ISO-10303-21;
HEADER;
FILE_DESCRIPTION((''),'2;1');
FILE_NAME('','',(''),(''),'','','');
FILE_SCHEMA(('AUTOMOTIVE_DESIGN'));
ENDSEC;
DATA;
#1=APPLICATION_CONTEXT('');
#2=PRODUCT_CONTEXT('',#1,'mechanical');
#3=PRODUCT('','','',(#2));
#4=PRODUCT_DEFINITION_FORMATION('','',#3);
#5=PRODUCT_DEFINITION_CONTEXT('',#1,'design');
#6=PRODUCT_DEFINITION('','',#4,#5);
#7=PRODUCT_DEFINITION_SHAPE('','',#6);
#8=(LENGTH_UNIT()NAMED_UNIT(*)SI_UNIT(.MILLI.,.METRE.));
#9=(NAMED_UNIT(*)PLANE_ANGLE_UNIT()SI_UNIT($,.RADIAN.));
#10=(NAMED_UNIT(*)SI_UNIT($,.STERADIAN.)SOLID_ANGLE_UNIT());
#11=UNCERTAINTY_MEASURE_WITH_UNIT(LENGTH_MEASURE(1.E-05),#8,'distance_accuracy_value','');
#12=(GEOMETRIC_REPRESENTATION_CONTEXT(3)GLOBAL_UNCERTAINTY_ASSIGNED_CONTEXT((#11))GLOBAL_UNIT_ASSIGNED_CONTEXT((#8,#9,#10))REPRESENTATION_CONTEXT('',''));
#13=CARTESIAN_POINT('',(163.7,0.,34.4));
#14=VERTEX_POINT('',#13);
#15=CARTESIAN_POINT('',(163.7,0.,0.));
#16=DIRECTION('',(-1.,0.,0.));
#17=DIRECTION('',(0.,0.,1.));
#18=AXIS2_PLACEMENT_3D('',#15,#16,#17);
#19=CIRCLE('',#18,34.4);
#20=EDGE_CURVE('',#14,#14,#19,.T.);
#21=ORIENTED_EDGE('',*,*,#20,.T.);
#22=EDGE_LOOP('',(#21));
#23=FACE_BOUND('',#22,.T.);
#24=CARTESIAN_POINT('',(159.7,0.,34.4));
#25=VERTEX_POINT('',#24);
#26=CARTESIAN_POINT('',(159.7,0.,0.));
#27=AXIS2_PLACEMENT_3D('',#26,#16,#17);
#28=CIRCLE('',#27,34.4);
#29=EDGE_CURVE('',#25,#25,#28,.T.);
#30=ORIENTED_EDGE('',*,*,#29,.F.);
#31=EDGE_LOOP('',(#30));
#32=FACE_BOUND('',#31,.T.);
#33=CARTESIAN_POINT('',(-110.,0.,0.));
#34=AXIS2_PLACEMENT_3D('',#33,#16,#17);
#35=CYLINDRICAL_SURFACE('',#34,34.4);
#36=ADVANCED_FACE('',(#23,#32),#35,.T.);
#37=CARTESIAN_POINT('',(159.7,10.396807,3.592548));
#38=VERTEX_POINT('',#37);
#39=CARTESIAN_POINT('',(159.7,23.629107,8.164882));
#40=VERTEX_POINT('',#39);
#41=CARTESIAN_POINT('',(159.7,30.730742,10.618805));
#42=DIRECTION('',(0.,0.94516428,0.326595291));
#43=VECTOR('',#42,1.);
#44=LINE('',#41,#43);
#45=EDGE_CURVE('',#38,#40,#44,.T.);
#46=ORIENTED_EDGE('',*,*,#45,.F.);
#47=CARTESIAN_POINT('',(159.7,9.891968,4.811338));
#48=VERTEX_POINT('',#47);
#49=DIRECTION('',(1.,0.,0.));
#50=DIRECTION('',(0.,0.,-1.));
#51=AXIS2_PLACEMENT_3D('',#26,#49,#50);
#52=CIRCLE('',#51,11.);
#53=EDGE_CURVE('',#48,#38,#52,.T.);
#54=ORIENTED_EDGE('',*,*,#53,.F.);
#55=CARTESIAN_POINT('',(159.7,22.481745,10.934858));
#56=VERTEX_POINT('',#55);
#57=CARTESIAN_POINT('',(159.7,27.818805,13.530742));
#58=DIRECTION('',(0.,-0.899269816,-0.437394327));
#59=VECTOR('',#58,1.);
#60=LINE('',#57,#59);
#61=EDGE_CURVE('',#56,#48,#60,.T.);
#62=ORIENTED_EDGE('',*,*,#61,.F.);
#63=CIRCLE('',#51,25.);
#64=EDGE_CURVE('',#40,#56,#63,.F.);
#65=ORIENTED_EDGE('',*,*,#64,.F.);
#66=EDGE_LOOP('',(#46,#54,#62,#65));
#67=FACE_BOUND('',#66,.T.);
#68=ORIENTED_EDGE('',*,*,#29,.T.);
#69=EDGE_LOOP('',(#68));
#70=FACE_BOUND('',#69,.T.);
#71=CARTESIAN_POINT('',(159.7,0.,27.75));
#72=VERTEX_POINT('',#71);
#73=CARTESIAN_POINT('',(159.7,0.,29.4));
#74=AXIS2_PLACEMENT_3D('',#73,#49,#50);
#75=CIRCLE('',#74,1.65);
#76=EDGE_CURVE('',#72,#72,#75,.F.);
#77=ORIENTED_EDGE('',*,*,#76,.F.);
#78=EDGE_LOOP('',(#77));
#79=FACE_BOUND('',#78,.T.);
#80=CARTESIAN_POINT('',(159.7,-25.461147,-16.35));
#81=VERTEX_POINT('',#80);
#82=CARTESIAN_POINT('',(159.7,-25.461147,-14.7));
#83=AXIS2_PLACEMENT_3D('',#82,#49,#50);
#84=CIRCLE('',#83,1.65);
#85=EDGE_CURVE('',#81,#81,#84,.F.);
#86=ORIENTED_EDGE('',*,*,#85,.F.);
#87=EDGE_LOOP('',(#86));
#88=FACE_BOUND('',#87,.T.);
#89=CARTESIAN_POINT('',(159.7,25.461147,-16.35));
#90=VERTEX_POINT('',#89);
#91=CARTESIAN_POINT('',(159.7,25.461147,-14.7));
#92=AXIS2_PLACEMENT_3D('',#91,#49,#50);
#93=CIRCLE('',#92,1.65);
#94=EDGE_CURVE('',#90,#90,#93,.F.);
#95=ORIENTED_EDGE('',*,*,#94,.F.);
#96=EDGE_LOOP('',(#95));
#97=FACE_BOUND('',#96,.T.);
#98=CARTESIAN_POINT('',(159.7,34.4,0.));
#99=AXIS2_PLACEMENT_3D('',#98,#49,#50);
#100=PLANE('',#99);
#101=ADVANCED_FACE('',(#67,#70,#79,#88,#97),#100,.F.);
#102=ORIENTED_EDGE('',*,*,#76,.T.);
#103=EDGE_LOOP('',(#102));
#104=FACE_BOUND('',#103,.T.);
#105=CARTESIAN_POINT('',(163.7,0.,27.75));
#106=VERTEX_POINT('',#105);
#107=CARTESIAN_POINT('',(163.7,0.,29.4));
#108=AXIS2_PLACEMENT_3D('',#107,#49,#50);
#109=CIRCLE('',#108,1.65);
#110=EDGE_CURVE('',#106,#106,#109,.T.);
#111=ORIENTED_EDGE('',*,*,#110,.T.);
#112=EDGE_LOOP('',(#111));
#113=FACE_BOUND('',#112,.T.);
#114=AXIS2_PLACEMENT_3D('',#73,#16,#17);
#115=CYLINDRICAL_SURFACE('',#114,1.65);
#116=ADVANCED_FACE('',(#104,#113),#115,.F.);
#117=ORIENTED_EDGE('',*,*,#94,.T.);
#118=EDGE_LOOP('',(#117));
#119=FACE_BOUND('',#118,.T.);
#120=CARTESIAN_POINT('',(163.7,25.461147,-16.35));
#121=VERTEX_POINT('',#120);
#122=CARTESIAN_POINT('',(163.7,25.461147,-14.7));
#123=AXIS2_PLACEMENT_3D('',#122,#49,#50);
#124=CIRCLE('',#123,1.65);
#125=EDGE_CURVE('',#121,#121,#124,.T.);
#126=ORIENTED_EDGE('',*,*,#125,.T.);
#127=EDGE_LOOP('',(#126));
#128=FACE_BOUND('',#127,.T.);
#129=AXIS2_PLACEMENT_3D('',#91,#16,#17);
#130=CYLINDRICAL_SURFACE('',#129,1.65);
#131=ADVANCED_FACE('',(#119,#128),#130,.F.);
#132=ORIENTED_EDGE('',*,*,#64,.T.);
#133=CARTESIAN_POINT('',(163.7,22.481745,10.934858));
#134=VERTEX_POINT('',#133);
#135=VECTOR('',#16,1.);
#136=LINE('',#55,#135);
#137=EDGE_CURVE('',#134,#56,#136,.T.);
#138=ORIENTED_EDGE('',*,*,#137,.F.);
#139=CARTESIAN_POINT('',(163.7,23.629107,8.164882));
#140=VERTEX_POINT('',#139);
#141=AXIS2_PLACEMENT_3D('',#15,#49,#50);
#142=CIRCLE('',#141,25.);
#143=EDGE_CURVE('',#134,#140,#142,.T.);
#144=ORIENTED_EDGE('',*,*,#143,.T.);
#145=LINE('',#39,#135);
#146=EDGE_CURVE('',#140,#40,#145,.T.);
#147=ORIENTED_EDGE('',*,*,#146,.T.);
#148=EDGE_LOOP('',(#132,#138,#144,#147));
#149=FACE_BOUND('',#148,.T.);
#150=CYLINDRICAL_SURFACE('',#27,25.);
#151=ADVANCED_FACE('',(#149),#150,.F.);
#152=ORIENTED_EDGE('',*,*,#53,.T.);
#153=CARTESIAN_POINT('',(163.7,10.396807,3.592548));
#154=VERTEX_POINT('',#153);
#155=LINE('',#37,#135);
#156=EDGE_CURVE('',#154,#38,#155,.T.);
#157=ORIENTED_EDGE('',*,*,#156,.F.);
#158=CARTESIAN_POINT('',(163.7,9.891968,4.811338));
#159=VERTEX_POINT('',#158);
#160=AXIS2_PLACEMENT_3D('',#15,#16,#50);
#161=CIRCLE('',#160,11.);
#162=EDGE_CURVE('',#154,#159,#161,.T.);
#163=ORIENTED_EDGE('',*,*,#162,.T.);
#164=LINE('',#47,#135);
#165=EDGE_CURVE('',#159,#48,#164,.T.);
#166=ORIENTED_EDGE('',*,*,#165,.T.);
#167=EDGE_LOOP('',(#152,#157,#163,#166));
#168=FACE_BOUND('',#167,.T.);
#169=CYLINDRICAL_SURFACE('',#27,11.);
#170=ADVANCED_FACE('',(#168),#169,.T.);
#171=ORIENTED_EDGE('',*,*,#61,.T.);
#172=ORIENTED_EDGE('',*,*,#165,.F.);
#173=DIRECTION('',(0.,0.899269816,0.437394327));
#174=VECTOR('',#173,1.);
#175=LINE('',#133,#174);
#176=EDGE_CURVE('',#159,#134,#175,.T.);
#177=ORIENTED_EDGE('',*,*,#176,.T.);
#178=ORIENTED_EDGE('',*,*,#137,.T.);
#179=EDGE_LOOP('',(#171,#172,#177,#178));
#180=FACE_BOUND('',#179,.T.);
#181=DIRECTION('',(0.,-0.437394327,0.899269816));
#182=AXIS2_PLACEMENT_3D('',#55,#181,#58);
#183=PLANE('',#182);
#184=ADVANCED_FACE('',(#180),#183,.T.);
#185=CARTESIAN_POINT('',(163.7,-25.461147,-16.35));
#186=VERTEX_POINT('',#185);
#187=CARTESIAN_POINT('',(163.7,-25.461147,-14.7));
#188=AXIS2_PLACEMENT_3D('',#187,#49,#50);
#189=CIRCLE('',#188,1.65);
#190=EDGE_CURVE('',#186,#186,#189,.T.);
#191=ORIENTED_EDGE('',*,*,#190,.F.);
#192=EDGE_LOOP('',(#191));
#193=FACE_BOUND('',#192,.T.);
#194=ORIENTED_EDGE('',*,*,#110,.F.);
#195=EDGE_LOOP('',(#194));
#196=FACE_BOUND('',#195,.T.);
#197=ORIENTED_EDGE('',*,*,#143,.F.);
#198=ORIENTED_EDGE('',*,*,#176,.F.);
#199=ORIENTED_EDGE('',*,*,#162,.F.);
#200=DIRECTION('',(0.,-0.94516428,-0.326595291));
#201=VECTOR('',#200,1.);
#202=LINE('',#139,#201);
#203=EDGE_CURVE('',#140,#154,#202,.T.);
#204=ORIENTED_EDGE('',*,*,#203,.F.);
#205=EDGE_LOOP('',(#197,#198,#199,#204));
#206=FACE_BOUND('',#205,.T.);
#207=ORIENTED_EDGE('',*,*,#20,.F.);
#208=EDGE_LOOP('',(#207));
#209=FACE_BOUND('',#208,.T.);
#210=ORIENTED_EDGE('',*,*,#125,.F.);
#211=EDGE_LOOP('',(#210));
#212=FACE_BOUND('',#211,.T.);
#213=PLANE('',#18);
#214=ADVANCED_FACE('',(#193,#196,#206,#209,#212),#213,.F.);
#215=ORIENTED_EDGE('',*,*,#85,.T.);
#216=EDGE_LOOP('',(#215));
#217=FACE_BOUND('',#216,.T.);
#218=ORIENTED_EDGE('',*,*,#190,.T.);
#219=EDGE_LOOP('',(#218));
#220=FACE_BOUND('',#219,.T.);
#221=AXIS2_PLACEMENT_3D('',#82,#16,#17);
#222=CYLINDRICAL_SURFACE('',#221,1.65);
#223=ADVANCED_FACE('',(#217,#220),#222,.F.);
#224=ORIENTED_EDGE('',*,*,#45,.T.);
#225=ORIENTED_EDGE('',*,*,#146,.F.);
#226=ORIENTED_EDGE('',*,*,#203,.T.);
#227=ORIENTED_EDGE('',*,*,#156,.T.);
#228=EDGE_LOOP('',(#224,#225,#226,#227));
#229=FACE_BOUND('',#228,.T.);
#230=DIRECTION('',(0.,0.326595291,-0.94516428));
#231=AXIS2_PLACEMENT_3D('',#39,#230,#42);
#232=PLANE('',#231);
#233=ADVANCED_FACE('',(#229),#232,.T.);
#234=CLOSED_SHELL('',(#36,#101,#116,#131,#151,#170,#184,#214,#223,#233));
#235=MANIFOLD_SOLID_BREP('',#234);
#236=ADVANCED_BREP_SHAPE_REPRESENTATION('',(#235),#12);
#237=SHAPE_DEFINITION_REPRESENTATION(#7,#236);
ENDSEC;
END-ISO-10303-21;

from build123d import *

# Parameters (mm, degrees)
AXIAL_PROFILE_MM_W                                  = 4
AXIAL_PROFILE_MM_H                                  = 34.4
AXIAL_HOLES_DEPTH                                   = 171.775905795
AXIAL_HOLES_DEPTH_BACK                              = 171.775905795
SKETCH2_R                                           = 1.65
C_SHAPED_COOLANT_PASSAGE_AND_INTEGRAL_DI_DEPTH      = 171.775905795
C_SHAPED_COOLANT_PASSAGE_AND_INTEGRAL_DI_DEPTH_BACK = 171.775905795


with BuildPart() as part:
    # Axial profile (mm) → Full revolution (revolve)
    with BuildSketch(Plane.XY, mode=Mode.PRIVATE) as full_revolution_sk:
        with Locations((161.7, 17.2)):
            Rectangle(AXIAL_PROFILE_MM_W, AXIAL_PROFILE_MM_H)
    revolve(full_revolution_sk.sketch.rotate(Axis((-110, 0, 0), (1, 0, 0)), 90), axis=Axis((-110, 0, 0), (1, 0, 0)))

    # Sketch2 → Axial holes (cut, two sides: drawn at the far end of the back side and taken through both)
    with BuildSketch(Plane(origin=(0, 0, 0), x_dir=(0, 0, -1), z_dir=(1, 0, 0)).offset(-AXIAL_HOLES_DEPTH_BACK)):
        with Locations((-29.4, 0)):
            Circle(SKETCH2_R)
        with Locations((14.7, -25.461146871)):
            Circle(SKETCH2_R)
        with Locations((14.7, 25.461146871)):
            Circle(SKETCH2_R)
    extrude(amount=AXIAL_HOLES_DEPTH + AXIAL_HOLES_DEPTH_BACK, mode=Mode.SUBTRACT)

    # Sketch3 → C-shaped coolant passage and integral divider (cut, two sides: drawn at the far end of the back side and taken through both)
    with BuildSketch(Plane(origin=(0, 0, 0), x_dir=(0, 0, -1), z_dir=(1, 0, 0)).offset(-C_SHAPED_COOLANT_PASSAGE_AND_INTEGRAL_DI_DEPTH_BACK)):
        with BuildLine():
            Line((-10.934858177, 22.481745409), (-4.811337598, 9.89196798))
            ThreePointArc((-4.811337598, 9.89196798), (4.209517756, -10.162674858), (-3.592548196, 10.39680708))
            Line((-3.592548196, 10.39680708), (-8.164882263, 23.629107))
            ThreePointArc((-8.164882263, 23.629107), (9.567085809, -23.096988313), (-10.934858177, 22.481745409))
        make_face()
    extrude(amount=C_SHAPED_COOLANT_PASSAGE_AND_INTEGRAL_DI_DEPTH + C_SHAPED_COOLANT_PASSAGE_AND_INTEGRAL_DI_DEPTH_BACK, mode=Mode.SUBTRACT)


solid = part.part
